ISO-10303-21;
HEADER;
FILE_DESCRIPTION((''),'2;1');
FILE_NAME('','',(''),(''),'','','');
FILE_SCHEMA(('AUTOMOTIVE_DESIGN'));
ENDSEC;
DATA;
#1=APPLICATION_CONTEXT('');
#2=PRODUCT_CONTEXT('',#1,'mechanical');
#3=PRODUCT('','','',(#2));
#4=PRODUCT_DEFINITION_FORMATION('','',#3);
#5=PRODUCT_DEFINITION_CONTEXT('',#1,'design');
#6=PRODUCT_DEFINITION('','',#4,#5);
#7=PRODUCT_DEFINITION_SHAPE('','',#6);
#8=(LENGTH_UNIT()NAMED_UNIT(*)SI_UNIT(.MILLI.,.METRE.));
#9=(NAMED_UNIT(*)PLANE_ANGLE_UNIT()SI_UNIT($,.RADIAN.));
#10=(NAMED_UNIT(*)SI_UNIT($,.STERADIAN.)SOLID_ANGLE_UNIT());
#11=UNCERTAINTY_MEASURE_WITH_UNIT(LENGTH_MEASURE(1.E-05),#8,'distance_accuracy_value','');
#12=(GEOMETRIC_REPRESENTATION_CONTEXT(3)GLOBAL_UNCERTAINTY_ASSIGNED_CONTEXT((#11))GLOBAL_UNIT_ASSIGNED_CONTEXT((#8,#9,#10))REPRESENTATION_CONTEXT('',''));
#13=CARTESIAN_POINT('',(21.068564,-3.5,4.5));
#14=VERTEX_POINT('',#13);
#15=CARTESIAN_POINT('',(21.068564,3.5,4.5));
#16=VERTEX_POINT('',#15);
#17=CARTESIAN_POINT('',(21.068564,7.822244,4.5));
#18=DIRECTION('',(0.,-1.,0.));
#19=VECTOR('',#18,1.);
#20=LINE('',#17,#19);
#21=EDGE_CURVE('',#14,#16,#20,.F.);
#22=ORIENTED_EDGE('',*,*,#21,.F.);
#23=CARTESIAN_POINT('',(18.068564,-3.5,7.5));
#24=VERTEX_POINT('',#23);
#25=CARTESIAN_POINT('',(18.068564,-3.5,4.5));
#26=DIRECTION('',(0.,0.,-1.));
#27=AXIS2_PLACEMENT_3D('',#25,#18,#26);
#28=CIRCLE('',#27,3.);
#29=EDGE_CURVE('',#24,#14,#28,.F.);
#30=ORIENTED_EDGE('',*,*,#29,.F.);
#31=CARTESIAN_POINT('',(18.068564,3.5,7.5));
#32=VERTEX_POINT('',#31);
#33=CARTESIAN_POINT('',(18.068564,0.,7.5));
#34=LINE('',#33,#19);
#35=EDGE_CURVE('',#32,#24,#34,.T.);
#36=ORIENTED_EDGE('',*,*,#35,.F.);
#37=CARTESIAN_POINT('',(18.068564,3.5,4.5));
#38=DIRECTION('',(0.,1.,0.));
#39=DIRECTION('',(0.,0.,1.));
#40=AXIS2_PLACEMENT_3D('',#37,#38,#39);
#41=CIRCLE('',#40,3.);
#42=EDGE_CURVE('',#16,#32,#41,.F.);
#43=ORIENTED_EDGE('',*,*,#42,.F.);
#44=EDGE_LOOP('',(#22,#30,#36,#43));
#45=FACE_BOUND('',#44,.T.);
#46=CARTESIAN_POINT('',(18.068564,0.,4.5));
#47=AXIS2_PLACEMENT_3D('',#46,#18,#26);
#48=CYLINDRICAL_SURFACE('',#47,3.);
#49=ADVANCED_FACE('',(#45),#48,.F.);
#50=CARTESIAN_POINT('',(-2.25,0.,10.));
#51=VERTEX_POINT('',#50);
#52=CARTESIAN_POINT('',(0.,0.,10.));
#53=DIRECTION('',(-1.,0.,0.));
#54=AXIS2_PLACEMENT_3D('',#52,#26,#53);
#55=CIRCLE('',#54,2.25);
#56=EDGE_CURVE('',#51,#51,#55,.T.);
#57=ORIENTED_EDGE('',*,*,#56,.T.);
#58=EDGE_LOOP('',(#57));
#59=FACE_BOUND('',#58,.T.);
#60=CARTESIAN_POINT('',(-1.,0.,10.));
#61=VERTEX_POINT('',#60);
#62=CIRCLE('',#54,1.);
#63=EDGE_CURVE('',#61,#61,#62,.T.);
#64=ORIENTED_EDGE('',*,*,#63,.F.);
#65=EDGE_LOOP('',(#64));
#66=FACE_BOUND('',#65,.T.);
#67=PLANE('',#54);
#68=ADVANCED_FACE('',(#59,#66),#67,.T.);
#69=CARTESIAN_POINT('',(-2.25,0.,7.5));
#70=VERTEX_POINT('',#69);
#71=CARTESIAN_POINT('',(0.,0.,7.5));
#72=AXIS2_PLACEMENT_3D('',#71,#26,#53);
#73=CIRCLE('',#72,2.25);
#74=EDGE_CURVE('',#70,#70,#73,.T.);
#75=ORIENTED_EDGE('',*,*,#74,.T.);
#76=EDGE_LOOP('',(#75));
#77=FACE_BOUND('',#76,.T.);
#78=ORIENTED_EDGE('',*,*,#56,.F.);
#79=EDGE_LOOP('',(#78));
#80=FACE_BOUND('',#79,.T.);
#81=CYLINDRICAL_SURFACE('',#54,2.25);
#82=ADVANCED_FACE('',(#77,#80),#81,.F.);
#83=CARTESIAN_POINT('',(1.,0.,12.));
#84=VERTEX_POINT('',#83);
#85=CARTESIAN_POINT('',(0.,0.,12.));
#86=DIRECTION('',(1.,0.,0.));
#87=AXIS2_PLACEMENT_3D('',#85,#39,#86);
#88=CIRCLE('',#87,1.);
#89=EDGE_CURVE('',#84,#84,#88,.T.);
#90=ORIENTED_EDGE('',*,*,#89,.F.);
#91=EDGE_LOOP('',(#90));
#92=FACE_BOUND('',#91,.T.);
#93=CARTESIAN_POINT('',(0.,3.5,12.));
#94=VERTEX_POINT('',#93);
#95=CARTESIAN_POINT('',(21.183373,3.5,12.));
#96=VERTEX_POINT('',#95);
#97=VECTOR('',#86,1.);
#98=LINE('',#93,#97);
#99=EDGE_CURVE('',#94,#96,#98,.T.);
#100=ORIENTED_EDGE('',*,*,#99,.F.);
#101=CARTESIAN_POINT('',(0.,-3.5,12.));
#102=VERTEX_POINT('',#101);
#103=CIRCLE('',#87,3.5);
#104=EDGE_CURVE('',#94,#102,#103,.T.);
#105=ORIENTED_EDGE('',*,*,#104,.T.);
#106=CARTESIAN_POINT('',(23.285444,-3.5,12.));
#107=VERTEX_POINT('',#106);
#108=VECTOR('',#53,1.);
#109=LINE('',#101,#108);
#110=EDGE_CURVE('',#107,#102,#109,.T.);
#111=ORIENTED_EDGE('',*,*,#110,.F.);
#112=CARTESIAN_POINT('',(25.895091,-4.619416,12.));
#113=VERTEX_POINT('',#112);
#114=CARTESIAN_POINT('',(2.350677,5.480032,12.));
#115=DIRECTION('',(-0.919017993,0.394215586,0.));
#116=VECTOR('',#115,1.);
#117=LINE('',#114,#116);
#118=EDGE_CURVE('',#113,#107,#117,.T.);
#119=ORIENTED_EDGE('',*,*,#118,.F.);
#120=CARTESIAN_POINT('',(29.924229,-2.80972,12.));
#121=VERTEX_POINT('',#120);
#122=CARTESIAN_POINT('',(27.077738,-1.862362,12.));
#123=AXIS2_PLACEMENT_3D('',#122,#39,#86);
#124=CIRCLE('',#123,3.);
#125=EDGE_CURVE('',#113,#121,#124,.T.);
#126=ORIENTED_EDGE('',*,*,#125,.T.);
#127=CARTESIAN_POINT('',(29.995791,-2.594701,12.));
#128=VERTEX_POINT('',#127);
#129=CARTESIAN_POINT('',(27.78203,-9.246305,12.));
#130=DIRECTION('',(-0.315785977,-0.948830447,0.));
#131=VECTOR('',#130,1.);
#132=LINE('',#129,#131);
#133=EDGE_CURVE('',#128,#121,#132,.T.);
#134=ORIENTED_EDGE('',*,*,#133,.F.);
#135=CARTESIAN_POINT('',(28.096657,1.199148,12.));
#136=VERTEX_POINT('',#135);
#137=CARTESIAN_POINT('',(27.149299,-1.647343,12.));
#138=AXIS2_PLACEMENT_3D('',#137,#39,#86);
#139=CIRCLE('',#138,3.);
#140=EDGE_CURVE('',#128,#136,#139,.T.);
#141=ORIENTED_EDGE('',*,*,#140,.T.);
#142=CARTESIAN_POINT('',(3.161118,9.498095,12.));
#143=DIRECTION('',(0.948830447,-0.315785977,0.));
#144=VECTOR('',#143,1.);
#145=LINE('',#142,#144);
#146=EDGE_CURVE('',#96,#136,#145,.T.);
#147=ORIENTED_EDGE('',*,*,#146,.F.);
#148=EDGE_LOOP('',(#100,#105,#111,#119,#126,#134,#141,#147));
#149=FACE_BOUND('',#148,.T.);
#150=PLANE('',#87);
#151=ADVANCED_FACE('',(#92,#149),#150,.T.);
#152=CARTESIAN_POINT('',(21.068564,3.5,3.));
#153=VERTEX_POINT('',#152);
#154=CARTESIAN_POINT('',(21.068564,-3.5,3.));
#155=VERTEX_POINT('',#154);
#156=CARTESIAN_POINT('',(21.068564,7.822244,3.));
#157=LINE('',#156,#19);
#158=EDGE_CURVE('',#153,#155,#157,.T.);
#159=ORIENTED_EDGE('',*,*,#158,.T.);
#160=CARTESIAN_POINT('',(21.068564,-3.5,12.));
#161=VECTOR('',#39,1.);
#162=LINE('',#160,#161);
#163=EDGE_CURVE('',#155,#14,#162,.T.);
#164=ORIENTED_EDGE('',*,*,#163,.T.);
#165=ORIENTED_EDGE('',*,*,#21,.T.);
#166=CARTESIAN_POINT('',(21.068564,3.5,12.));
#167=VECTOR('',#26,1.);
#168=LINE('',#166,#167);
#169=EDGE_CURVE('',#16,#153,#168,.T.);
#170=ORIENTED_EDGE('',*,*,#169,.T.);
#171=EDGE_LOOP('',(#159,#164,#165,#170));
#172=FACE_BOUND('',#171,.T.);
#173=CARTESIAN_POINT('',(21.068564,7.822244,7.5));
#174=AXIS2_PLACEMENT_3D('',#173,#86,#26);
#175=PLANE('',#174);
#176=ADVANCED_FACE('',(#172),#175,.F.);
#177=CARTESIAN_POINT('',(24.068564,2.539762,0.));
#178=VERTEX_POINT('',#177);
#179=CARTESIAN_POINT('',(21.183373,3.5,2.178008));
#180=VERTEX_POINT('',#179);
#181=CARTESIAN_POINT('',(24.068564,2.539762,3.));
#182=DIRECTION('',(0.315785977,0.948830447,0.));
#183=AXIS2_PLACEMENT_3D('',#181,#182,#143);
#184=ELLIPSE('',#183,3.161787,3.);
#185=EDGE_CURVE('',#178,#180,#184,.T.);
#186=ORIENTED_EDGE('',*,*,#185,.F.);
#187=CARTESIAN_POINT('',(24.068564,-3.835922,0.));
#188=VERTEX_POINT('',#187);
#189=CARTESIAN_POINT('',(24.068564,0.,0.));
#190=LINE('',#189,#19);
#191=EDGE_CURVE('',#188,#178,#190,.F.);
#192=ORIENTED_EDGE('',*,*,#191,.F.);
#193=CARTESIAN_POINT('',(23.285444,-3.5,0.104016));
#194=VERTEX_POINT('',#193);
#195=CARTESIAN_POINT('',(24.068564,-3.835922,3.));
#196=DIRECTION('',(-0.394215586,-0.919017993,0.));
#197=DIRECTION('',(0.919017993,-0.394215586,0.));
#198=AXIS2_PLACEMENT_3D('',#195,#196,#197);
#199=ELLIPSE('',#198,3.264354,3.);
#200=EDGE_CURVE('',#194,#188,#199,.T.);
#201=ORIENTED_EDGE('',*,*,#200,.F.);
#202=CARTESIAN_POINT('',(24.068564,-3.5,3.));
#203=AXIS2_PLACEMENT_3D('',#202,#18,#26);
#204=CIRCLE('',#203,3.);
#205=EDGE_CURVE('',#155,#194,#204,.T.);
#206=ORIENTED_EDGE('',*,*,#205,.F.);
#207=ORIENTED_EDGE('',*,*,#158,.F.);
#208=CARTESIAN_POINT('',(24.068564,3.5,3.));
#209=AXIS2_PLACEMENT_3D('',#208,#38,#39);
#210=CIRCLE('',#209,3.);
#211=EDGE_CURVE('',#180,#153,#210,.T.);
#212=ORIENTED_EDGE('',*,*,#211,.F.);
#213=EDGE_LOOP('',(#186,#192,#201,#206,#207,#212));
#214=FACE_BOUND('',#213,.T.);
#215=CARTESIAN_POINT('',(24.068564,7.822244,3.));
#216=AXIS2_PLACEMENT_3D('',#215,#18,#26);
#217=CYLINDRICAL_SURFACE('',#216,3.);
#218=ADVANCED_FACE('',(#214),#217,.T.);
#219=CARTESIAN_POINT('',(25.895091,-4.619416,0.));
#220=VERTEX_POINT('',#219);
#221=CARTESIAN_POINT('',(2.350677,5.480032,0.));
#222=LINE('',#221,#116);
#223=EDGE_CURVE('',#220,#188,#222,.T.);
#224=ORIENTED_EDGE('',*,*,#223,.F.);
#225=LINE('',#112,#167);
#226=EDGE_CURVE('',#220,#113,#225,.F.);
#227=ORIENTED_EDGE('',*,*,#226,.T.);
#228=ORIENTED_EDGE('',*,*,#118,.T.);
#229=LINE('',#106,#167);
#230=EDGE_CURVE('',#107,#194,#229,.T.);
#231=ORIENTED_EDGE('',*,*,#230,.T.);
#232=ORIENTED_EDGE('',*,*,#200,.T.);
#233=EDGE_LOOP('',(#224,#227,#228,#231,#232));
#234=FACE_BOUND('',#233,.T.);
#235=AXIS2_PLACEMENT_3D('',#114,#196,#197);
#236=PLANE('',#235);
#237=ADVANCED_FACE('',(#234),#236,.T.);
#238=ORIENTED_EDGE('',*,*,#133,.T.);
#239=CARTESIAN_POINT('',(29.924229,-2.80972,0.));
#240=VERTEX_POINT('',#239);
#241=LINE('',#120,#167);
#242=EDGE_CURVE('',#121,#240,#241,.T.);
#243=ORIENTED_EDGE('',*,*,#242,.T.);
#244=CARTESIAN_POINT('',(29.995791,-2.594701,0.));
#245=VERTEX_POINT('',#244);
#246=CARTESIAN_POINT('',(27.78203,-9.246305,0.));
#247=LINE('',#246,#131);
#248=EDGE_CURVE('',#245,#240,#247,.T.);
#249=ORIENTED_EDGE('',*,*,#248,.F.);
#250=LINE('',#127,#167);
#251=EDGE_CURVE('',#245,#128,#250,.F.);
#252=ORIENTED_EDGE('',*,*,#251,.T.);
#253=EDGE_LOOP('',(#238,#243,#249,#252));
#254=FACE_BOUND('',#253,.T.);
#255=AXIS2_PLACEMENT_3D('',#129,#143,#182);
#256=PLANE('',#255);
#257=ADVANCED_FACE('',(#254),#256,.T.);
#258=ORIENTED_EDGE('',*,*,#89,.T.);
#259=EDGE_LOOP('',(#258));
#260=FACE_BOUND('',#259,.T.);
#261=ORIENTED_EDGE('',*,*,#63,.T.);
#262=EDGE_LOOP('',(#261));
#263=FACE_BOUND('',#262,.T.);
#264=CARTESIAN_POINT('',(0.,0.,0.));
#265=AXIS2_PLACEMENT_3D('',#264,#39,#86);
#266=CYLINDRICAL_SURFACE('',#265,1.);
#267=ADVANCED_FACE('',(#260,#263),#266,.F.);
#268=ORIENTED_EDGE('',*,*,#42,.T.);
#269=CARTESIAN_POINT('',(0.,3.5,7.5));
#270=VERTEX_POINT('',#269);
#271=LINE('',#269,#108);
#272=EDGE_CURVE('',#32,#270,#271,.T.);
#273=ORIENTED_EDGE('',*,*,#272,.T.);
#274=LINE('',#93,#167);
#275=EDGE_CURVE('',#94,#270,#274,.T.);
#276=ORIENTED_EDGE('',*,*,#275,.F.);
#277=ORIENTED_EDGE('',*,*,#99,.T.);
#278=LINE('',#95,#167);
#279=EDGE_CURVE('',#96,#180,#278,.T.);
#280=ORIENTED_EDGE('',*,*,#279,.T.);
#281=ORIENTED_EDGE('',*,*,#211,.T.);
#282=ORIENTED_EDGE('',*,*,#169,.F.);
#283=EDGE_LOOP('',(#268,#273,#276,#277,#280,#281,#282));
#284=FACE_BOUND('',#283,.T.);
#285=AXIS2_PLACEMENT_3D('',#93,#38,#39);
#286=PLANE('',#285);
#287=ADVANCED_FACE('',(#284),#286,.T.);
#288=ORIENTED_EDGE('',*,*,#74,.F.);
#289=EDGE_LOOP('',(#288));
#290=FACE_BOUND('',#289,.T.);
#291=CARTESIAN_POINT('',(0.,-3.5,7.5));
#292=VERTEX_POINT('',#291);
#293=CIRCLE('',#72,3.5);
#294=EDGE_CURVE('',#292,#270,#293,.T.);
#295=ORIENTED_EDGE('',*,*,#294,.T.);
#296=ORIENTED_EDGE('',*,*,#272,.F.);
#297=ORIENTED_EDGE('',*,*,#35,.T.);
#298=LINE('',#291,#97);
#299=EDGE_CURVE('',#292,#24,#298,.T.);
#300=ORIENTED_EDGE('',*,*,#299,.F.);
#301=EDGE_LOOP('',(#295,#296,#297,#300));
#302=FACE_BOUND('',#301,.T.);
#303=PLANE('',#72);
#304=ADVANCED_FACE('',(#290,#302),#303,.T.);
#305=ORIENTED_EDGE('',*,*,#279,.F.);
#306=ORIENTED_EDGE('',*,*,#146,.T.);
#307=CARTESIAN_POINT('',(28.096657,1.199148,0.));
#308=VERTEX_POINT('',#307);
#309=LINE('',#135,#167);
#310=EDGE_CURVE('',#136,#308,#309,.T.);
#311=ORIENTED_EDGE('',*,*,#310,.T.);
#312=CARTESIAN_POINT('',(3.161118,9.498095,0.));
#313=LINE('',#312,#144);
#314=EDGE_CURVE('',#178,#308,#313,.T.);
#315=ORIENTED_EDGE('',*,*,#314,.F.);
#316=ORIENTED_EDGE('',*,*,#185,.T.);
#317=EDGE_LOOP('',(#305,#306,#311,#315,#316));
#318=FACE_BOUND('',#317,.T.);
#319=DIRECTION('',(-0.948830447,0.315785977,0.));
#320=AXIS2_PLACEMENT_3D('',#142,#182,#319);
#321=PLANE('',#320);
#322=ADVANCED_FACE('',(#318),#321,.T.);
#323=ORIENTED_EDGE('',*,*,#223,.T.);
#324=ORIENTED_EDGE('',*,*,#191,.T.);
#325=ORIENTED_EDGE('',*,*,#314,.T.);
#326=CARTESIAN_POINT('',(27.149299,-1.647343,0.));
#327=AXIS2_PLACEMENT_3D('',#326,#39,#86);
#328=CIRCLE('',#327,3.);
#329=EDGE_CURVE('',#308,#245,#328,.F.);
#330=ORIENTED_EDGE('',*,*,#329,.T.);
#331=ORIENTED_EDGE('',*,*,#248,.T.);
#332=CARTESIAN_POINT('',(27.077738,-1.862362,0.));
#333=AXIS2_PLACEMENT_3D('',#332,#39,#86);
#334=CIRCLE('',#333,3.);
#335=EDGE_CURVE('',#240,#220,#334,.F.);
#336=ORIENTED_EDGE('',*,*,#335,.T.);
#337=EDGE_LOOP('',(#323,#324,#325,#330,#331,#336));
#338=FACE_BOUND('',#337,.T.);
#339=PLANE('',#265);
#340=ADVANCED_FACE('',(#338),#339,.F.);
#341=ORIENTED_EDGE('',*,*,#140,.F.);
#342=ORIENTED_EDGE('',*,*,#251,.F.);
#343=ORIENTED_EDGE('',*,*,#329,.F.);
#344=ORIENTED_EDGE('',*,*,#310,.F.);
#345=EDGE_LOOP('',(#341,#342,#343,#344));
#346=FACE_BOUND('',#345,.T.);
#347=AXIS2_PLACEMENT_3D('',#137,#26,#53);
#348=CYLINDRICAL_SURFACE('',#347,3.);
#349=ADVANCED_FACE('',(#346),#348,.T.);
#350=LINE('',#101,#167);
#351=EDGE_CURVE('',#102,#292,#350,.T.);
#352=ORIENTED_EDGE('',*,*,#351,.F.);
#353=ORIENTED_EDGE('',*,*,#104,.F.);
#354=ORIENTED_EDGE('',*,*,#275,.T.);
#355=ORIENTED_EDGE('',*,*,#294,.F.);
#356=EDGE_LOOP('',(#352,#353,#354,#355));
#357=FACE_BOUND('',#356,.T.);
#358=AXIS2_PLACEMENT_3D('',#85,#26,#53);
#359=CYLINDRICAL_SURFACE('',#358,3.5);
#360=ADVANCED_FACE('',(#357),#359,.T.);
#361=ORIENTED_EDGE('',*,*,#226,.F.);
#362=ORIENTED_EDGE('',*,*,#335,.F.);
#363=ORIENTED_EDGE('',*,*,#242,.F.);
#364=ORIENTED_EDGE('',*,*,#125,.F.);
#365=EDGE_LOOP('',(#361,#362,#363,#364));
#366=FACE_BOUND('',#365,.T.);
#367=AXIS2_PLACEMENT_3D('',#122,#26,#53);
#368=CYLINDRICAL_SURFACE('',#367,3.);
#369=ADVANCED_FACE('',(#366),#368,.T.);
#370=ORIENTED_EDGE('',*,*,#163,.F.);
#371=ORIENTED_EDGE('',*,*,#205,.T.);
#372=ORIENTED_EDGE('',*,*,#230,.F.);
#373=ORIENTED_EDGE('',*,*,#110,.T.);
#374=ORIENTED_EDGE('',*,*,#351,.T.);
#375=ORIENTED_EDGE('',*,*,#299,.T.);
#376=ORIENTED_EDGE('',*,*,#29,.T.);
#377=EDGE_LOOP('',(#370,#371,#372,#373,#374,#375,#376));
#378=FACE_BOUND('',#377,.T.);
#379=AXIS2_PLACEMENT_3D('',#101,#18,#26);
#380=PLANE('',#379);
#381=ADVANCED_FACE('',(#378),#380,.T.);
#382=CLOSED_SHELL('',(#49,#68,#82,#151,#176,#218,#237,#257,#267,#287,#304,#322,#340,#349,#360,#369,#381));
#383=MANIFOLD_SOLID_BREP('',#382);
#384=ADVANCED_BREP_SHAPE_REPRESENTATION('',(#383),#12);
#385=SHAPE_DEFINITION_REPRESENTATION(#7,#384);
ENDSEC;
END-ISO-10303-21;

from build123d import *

# Parameters (mm, degrees)
RESSALTO_EXTRUS_O1_DEPTH = 12
ESBO_O2_W                = 27.357600802
ESBO_O2_H                = 15.919060402
CORTE_EXTRUS_O1_DEPTH    = 7.5
FILETE1_R                = 3
ESBO_O3_R                = 2.25
CORTE_EXTRUS_O2_DEPTH    = 2.5
FILETE2_R                = 3
ESBO_O4_R                = 1
CORTE_EXTRUS_O3_DEPTH    = 33.811931028


with BuildPart() as part:
    # Esboço1 → Ressalto-extrusão1 (new body)
    with BuildSketch(Plane.XY):
        with BuildLine():
            Line((21.183373259, 3.5), (0, 3.5))
            ThreePointArc((0, 3.5), (-3.5, 0), (0, -3.5))
            Line((0, -3.5), (23.285443563, -3.5))
            Line((23.285443563, -3.5), (28.893826204, -5.90573293))
            Line((28.893826204, -5.90573293), (30.943148627, 0.251790361))
            Line((30.943148627, 0.251790361), (21.183373259, 3.5))
        make_face()
    extrude(amount=RESSALTO_EXTRUS_O1_DEPTH)

    # Esboço2 → Corte-extrusão1 (cut)
    with BuildSketch(Plane(origin=(0, 0, 0), x_dir=(-1, 0, 0), z_dir=(0, 0, -1))):
        with Locations((-7.389764087, -0.137286393)):
            Rectangle(ESBO_O2_W, ESBO_O2_H)
    extrude(amount=-CORTE_EXTRUS_O1_DEPTH, mode=Mode.SUBTRACT)

    # Filete1
    filete1_edges = [part.edges().sort_by_distance(p)[0] for p in [
        (30.943148627, 0.251790361, 6),
        (28.893826204, -5.90573293, 6),
    ]]
    fillet(filete1_edges, radius=FILETE1_R)

    # Esboço3 → Corte-extrusão2 (cut)
    with BuildSketch(Plane(origin=(0, 0, 7.5), x_dir=(-1, 0, 0), z_dir=(0, 0, -1))):
        Circle(ESBO_O3_R)
    extrude(amount=-CORTE_EXTRUS_O2_DEPTH, mode=Mode.SUBTRACT)

    # Filete2
    filete2_edges = [part.edges().sort_by_distance(p)[0] for p in [
        (21.068564488, 0, 7.5),
        (21.068564488, 0, 0),
    ]]
    fillet(filete2_edges, radius=FILETE2_R)

    # Esboço4 → Corte-extrusão3 (cut, through all)
    with BuildSketch(Plane.XY.offset(12)):
        Circle(ESBO_O4_R)
    extrude(amount=-CORTE_EXTRUS_O3_DEPTH, mode=Mode.SUBTRACT)


solid = part.part
